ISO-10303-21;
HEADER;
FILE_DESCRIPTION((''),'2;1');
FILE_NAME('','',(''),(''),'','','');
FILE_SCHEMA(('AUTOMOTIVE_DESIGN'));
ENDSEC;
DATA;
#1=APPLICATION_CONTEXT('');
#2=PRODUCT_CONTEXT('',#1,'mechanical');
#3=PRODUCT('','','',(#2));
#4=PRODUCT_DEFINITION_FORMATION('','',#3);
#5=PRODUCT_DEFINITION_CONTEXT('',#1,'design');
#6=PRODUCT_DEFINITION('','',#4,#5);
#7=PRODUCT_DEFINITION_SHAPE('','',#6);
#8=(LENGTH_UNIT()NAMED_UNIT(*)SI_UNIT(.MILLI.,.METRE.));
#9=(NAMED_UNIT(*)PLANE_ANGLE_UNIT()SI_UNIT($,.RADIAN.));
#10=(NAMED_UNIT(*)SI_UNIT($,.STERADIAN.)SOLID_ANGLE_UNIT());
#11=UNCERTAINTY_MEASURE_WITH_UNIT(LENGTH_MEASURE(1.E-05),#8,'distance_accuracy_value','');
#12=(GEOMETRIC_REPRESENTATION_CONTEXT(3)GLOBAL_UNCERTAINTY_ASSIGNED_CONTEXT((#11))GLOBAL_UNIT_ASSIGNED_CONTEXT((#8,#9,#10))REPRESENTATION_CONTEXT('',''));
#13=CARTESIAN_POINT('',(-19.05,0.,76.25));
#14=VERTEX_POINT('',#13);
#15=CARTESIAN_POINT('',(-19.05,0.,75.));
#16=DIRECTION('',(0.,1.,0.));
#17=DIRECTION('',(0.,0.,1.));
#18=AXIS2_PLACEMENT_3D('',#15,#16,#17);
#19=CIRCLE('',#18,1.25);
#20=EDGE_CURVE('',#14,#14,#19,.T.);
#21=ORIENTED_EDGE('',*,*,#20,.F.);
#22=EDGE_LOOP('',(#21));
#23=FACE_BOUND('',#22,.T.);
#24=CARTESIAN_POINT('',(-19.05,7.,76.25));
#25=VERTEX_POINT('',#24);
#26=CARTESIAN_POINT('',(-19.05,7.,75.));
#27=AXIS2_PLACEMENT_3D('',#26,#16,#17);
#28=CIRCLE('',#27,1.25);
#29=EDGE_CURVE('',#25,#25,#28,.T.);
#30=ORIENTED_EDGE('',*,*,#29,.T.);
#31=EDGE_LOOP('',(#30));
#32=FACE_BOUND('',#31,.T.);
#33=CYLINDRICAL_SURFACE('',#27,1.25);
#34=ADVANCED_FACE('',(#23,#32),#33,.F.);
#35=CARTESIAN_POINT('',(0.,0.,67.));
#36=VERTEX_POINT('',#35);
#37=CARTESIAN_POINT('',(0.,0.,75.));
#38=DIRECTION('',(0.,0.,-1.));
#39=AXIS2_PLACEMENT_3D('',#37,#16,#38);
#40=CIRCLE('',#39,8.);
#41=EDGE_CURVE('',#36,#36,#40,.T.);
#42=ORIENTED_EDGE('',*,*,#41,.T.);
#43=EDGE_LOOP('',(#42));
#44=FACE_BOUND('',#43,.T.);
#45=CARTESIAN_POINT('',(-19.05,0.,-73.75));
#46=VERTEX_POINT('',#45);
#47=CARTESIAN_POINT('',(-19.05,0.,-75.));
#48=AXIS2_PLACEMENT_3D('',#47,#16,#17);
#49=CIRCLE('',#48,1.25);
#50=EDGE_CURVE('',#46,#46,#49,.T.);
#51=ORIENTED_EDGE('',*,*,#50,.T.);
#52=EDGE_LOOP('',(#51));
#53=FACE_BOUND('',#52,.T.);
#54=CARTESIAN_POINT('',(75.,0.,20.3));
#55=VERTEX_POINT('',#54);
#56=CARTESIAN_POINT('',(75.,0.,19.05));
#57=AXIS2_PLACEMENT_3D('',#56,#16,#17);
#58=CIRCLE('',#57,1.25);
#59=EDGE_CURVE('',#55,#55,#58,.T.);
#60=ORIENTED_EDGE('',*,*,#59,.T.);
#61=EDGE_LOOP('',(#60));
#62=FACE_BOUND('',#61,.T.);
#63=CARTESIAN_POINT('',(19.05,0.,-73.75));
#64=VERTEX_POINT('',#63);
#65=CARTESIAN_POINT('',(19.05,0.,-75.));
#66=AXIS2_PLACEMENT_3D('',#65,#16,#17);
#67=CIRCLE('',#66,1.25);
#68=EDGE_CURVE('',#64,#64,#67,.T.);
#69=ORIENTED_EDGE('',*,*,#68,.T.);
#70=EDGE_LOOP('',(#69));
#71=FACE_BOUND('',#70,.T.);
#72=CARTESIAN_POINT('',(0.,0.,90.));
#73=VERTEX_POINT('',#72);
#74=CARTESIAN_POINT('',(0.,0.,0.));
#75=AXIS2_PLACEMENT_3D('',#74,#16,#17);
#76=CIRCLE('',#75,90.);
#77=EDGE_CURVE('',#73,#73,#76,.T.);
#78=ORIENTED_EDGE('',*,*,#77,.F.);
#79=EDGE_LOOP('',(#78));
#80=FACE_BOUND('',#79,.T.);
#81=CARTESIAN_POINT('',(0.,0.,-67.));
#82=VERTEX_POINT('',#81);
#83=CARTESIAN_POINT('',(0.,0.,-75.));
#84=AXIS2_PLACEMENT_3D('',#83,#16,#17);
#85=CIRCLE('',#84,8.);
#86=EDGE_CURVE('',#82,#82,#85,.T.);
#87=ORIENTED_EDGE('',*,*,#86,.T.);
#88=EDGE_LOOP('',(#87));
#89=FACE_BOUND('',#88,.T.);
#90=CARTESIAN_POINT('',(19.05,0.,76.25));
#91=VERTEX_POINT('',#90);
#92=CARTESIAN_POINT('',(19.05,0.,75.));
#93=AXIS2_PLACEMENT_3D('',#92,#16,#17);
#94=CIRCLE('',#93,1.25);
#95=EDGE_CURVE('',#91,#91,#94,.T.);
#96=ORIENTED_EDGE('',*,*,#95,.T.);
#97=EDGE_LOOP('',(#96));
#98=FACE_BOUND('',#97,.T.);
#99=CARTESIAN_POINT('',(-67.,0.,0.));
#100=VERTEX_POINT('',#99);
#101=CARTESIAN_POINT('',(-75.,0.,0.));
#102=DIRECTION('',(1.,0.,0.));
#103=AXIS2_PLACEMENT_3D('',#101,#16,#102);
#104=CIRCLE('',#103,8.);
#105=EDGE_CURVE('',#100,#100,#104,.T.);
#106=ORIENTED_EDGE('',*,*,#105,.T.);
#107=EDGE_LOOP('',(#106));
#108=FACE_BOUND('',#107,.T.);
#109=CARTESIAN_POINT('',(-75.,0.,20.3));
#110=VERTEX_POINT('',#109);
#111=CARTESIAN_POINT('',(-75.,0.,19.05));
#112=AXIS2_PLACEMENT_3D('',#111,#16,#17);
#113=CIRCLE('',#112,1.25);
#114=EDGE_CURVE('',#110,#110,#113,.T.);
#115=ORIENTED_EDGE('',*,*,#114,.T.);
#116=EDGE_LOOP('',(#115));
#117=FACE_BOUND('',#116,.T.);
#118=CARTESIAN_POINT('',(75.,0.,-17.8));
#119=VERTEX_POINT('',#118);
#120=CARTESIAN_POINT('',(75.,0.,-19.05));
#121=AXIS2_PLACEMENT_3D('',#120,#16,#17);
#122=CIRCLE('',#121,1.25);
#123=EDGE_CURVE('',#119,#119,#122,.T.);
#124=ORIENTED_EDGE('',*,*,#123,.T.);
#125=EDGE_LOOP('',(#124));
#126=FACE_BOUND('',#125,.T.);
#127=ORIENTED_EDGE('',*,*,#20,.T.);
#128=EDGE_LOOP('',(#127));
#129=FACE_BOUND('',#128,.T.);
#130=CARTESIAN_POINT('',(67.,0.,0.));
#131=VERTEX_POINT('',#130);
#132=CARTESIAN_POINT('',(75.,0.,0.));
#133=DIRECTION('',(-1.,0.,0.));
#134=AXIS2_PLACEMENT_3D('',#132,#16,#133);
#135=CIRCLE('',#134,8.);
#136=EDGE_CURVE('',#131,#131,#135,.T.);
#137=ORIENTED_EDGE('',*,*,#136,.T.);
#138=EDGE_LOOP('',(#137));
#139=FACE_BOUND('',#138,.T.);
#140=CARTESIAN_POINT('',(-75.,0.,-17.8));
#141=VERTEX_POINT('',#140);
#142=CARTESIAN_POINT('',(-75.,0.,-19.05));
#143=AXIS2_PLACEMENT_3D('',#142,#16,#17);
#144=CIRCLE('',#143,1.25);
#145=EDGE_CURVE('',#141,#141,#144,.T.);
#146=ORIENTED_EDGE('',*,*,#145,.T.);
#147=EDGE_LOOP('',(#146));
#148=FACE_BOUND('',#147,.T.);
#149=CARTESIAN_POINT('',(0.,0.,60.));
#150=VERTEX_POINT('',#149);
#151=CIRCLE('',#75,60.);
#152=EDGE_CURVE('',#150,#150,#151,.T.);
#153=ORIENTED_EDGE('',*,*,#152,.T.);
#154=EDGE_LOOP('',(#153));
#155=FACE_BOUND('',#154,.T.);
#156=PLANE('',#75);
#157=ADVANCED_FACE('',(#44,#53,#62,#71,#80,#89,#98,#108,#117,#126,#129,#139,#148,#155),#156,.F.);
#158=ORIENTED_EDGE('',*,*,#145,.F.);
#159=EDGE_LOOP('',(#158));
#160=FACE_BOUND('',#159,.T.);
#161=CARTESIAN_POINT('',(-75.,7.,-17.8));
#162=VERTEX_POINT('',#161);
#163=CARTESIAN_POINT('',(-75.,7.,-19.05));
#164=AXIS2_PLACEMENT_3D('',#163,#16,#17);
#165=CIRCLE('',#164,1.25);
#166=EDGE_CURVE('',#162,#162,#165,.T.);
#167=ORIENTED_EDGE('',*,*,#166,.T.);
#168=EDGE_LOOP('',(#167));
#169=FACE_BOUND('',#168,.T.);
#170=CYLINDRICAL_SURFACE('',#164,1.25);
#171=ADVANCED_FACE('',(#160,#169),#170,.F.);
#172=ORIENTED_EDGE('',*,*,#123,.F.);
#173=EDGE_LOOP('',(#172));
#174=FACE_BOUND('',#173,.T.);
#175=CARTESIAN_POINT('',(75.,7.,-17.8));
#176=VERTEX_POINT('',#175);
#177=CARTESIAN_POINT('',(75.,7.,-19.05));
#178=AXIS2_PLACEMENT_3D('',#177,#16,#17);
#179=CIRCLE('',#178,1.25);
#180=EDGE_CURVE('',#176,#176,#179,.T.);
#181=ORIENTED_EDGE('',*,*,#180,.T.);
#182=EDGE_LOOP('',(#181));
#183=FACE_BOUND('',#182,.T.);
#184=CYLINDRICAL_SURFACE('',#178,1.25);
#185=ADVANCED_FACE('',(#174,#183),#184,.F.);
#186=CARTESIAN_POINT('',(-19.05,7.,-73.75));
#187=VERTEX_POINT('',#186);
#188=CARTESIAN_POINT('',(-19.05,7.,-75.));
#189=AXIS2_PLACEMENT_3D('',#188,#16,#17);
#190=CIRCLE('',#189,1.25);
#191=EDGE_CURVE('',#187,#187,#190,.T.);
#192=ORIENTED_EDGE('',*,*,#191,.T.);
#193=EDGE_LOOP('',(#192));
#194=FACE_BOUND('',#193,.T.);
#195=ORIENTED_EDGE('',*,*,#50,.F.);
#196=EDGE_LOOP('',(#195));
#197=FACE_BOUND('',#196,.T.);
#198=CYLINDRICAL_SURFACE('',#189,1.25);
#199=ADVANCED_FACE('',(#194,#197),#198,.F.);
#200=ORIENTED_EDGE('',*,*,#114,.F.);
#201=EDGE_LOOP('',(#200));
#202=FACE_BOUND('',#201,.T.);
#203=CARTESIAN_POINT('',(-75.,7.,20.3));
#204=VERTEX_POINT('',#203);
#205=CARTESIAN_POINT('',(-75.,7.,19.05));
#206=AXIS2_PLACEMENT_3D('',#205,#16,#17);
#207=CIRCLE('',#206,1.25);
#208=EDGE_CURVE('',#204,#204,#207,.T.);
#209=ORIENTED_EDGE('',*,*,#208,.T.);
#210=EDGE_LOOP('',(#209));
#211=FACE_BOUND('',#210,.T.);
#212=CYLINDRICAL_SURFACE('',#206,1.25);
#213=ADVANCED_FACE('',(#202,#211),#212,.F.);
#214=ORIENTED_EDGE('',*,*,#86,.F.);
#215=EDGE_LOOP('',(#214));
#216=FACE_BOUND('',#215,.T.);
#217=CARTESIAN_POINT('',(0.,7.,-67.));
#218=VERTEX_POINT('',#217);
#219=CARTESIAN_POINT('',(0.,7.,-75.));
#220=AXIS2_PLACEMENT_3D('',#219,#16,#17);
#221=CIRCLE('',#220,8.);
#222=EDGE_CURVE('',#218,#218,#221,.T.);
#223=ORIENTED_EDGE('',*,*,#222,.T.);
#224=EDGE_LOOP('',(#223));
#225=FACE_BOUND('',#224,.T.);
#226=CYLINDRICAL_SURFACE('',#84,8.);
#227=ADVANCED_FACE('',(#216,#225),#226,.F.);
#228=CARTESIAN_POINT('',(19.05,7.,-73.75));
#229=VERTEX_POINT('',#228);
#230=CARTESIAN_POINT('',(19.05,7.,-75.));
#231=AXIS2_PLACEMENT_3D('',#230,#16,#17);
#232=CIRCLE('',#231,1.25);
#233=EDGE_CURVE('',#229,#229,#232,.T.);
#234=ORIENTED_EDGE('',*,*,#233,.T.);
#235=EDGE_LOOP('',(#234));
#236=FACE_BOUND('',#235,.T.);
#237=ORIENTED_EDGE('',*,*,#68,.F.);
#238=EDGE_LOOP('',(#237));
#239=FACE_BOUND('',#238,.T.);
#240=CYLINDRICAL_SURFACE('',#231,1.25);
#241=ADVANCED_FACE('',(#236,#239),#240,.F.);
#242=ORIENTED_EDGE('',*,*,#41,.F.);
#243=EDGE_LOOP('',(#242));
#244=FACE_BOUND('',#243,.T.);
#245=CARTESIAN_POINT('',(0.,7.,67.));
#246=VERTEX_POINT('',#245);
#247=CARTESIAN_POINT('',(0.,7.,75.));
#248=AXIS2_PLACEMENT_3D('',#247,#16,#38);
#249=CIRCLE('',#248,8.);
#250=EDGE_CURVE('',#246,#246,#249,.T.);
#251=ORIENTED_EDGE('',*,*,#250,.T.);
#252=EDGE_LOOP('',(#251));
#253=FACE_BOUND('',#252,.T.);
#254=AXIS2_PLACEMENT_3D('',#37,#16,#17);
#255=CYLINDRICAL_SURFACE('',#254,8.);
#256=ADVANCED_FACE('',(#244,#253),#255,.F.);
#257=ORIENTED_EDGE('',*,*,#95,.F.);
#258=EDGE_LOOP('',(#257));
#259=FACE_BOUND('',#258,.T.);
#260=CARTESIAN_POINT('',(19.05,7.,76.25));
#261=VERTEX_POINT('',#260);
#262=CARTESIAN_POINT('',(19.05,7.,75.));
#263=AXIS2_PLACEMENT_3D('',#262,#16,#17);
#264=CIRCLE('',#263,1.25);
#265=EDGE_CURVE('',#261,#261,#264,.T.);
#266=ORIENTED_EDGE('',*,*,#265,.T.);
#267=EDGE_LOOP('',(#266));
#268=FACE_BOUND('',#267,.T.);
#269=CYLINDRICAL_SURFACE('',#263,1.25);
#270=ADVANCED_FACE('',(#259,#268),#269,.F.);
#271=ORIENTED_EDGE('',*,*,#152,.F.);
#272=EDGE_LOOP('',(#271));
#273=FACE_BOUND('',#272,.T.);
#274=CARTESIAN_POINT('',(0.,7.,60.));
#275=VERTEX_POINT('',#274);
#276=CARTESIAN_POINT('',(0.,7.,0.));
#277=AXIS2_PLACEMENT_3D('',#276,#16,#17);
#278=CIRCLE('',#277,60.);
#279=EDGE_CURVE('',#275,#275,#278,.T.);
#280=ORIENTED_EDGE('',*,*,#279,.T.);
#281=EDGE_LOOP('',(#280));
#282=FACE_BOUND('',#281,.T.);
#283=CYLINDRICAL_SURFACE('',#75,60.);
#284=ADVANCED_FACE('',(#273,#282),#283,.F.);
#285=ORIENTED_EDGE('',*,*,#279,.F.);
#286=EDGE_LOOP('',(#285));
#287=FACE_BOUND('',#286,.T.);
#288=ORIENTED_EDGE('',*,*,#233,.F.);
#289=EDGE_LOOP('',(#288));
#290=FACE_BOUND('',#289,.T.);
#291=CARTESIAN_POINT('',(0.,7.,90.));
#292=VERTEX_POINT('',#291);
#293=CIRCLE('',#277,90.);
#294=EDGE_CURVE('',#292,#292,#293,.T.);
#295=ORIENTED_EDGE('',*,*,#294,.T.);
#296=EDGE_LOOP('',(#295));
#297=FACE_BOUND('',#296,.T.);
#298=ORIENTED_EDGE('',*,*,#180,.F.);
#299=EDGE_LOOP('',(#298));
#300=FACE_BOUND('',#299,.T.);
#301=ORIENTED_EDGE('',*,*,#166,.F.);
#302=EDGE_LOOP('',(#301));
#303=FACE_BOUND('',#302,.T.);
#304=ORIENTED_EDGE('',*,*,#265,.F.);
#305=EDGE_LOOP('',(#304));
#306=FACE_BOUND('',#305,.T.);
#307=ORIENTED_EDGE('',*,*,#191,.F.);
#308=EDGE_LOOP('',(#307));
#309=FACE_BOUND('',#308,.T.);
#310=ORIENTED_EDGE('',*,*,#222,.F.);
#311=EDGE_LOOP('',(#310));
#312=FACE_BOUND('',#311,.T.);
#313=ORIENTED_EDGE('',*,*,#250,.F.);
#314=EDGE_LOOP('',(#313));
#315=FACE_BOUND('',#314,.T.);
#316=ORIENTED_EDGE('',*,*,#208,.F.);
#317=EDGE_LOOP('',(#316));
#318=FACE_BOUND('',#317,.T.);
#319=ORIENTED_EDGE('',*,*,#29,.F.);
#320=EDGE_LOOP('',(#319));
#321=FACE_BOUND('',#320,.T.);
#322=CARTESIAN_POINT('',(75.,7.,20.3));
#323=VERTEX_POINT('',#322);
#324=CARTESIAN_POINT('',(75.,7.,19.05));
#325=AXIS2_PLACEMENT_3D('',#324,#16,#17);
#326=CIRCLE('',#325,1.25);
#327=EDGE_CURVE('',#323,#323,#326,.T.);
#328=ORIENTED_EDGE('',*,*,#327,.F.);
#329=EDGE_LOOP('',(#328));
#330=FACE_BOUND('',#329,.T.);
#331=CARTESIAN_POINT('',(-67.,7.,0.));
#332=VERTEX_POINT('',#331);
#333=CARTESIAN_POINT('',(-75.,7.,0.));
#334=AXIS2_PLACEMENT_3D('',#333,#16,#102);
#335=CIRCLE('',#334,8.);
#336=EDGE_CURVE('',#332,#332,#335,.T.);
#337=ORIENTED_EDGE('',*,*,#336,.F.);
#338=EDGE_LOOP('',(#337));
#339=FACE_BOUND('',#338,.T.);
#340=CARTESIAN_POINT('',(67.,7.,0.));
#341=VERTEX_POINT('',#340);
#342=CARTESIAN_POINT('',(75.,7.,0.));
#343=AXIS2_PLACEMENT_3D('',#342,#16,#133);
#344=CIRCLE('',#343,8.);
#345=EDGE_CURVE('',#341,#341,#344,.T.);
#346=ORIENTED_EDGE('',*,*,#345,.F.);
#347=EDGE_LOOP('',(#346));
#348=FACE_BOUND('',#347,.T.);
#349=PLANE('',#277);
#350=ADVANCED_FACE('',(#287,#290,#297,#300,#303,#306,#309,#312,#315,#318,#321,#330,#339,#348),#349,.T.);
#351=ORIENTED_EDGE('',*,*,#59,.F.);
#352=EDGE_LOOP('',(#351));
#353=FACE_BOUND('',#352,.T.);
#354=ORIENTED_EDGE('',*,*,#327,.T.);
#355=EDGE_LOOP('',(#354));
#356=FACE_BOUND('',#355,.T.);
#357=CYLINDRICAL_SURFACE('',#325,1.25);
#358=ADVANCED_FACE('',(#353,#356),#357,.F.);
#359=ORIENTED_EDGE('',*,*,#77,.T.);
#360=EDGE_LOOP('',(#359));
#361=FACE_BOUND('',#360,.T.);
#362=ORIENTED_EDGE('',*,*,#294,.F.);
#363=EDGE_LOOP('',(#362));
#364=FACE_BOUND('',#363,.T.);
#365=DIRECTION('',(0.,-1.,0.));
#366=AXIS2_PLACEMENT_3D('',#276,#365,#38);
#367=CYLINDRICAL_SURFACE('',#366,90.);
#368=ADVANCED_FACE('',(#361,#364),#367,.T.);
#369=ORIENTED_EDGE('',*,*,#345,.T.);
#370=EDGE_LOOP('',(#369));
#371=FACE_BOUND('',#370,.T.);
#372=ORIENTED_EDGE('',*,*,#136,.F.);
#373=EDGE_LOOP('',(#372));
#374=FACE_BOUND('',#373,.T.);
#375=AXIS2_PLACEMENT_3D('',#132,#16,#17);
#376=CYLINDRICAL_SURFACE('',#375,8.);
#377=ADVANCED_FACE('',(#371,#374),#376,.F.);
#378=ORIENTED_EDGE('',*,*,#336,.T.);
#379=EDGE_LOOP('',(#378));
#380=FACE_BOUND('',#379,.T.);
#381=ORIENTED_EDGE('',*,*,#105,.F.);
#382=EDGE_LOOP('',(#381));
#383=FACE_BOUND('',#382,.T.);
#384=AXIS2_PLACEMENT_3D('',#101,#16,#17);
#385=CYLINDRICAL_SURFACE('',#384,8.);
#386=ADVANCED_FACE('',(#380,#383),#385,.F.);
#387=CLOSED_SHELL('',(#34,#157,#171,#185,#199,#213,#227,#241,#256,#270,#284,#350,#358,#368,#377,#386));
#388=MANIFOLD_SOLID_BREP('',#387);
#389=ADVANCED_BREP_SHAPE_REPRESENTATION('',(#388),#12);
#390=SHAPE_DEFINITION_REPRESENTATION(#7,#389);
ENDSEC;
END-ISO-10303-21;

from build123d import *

# Parameters (mm, degrees)
SKETCH2_R             = 90
EXTRUDE1_DEPTH        = 7
SKETCH3_R             = 8
CUT_EXTRUDE1_DEPTH    = 8
M3X0_5_TAPPED_HOLE1_D = 2.5
CIRPATTERN1_COUNT     = 4
SKETCH8_R             = 60
CUT_EXTRUDE2_DEPTH    = 8


with BuildPart() as part:
    # Sketch2 → Extrude1 (new body)
    with BuildSketch(Plane(origin=(0, 0, 0), x_dir=(1, 0, 0), z_dir=(0, 1, 0))):
        Circle(SKETCH2_R)
    extrude(amount=EXTRUDE1_DEPTH)

    # Sketch3 → Cut-Extrude1 (cut, through all)
    with BuildSketch(Plane(origin=(0, 7, 0), x_dir=(1, 0, 0), z_dir=(0, 1, 0))):
        with Locations((0, 75)):
            Circle(SKETCH3_R)
    cut_extrude1 = extrude(amount=-CUT_EXTRUDE1_DEPTH, mode=Mode.SUBTRACT)

    # M3x0.5 Tapped Hole1 (through all)
    with Locations(Plane(origin=(0, 7, 0), x_dir=(1, 0, 0), z_dir=(0, 1, 0))):
        with Locations((-19.05, 75), (19.05, 75)):
            m3x0_5_tapped_hole1 = Hole(M3X0_5_TAPPED_HOLE1_D / 2)

    # CirPattern1: Cut-Extrude1, M3x0.5 Tapped Hole1 ×4 about axis
    cirpattern1_axis = Axis((0, 0, 0), (0, 1, 0))
    for i in range(1, CIRPATTERN1_COUNT):
        add(cut_extrude1.rotate(cirpattern1_axis, i * 360 / CIRPATTERN1_COUNT), mode=Mode.SUBTRACT)
        add(m3x0_5_tapped_hole1.rotate(cirpattern1_axis, i * 360 / CIRPATTERN1_COUNT), mode=Mode.SUBTRACT)

    # Sketch8 → Cut-Extrude2 (cut, through all)
    with BuildSketch(Plane(origin=(0, 7, 0), x_dir=(1, 0, 0), z_dir=(0, 1, 0))):
        Circle(SKETCH8_R)
    extrude(amount=-CUT_EXTRUDE2_DEPTH, mode=Mode.SUBTRACT)


solid = part.part
